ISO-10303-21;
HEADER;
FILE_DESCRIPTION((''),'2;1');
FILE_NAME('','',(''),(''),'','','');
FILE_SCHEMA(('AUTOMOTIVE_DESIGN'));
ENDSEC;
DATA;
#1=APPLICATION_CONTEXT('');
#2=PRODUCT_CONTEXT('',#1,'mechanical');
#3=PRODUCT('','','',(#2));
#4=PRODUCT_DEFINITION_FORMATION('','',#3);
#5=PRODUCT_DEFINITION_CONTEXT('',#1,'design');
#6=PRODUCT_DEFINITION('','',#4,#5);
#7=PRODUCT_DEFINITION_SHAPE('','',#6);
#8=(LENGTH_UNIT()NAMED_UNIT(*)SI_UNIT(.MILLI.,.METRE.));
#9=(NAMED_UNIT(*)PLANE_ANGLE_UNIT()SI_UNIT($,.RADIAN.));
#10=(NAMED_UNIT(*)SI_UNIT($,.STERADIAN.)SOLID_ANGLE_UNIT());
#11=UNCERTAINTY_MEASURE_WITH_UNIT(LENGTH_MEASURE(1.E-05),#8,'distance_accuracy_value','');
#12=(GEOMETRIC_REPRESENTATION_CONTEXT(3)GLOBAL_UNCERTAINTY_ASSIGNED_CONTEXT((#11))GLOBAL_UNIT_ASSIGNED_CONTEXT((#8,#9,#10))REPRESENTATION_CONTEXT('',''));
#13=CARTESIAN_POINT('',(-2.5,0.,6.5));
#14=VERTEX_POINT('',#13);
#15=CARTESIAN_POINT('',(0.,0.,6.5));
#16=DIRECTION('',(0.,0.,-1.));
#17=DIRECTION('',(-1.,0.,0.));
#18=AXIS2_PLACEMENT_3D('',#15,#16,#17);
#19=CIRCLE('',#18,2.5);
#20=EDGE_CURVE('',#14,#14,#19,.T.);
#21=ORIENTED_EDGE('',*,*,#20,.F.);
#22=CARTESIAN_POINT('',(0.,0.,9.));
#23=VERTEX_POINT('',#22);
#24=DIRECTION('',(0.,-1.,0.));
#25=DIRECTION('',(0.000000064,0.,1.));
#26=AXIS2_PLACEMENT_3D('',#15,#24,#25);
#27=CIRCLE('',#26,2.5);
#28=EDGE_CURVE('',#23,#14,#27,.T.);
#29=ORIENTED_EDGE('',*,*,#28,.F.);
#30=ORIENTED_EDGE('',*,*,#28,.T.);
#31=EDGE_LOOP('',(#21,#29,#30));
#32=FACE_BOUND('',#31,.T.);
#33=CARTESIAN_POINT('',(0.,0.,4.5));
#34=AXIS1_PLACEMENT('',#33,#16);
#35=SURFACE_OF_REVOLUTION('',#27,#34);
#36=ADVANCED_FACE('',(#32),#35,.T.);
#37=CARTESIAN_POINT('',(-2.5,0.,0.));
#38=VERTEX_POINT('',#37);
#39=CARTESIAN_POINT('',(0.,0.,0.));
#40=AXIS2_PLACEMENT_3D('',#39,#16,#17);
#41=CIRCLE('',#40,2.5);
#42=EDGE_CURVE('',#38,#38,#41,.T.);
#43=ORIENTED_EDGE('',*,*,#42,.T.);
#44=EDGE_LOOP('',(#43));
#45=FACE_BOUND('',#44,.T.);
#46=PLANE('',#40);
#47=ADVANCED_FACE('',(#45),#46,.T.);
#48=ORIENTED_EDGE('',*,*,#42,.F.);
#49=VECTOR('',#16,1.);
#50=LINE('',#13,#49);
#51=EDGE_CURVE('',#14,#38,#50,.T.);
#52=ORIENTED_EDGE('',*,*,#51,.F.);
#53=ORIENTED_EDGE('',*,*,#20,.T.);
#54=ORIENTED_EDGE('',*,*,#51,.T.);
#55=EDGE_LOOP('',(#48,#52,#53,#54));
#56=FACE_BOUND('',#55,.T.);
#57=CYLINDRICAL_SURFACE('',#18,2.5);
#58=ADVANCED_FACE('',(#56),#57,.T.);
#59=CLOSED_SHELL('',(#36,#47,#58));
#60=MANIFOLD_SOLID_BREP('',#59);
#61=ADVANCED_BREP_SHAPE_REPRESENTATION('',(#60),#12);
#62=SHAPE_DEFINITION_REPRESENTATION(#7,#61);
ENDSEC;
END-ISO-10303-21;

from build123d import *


with BuildPart() as f1:
    # F0 (on Front) → F1 (revolve)
    with BuildSketch(Plane.XZ):
        with BuildLine():
            Line((0, 0), (0, 9))
            ThreePointArc((0, 9), (-1.767767, 8.267767), (-2.5, 6.5))
            Line((-2.5, 6.5), (-2.5, 0))
            Line((-2.5, 0), (0, 0))
        make_face()
    revolve(axis=Axis((0, 0, 4.5), (0, 0, -1)))


solid = f1.part
